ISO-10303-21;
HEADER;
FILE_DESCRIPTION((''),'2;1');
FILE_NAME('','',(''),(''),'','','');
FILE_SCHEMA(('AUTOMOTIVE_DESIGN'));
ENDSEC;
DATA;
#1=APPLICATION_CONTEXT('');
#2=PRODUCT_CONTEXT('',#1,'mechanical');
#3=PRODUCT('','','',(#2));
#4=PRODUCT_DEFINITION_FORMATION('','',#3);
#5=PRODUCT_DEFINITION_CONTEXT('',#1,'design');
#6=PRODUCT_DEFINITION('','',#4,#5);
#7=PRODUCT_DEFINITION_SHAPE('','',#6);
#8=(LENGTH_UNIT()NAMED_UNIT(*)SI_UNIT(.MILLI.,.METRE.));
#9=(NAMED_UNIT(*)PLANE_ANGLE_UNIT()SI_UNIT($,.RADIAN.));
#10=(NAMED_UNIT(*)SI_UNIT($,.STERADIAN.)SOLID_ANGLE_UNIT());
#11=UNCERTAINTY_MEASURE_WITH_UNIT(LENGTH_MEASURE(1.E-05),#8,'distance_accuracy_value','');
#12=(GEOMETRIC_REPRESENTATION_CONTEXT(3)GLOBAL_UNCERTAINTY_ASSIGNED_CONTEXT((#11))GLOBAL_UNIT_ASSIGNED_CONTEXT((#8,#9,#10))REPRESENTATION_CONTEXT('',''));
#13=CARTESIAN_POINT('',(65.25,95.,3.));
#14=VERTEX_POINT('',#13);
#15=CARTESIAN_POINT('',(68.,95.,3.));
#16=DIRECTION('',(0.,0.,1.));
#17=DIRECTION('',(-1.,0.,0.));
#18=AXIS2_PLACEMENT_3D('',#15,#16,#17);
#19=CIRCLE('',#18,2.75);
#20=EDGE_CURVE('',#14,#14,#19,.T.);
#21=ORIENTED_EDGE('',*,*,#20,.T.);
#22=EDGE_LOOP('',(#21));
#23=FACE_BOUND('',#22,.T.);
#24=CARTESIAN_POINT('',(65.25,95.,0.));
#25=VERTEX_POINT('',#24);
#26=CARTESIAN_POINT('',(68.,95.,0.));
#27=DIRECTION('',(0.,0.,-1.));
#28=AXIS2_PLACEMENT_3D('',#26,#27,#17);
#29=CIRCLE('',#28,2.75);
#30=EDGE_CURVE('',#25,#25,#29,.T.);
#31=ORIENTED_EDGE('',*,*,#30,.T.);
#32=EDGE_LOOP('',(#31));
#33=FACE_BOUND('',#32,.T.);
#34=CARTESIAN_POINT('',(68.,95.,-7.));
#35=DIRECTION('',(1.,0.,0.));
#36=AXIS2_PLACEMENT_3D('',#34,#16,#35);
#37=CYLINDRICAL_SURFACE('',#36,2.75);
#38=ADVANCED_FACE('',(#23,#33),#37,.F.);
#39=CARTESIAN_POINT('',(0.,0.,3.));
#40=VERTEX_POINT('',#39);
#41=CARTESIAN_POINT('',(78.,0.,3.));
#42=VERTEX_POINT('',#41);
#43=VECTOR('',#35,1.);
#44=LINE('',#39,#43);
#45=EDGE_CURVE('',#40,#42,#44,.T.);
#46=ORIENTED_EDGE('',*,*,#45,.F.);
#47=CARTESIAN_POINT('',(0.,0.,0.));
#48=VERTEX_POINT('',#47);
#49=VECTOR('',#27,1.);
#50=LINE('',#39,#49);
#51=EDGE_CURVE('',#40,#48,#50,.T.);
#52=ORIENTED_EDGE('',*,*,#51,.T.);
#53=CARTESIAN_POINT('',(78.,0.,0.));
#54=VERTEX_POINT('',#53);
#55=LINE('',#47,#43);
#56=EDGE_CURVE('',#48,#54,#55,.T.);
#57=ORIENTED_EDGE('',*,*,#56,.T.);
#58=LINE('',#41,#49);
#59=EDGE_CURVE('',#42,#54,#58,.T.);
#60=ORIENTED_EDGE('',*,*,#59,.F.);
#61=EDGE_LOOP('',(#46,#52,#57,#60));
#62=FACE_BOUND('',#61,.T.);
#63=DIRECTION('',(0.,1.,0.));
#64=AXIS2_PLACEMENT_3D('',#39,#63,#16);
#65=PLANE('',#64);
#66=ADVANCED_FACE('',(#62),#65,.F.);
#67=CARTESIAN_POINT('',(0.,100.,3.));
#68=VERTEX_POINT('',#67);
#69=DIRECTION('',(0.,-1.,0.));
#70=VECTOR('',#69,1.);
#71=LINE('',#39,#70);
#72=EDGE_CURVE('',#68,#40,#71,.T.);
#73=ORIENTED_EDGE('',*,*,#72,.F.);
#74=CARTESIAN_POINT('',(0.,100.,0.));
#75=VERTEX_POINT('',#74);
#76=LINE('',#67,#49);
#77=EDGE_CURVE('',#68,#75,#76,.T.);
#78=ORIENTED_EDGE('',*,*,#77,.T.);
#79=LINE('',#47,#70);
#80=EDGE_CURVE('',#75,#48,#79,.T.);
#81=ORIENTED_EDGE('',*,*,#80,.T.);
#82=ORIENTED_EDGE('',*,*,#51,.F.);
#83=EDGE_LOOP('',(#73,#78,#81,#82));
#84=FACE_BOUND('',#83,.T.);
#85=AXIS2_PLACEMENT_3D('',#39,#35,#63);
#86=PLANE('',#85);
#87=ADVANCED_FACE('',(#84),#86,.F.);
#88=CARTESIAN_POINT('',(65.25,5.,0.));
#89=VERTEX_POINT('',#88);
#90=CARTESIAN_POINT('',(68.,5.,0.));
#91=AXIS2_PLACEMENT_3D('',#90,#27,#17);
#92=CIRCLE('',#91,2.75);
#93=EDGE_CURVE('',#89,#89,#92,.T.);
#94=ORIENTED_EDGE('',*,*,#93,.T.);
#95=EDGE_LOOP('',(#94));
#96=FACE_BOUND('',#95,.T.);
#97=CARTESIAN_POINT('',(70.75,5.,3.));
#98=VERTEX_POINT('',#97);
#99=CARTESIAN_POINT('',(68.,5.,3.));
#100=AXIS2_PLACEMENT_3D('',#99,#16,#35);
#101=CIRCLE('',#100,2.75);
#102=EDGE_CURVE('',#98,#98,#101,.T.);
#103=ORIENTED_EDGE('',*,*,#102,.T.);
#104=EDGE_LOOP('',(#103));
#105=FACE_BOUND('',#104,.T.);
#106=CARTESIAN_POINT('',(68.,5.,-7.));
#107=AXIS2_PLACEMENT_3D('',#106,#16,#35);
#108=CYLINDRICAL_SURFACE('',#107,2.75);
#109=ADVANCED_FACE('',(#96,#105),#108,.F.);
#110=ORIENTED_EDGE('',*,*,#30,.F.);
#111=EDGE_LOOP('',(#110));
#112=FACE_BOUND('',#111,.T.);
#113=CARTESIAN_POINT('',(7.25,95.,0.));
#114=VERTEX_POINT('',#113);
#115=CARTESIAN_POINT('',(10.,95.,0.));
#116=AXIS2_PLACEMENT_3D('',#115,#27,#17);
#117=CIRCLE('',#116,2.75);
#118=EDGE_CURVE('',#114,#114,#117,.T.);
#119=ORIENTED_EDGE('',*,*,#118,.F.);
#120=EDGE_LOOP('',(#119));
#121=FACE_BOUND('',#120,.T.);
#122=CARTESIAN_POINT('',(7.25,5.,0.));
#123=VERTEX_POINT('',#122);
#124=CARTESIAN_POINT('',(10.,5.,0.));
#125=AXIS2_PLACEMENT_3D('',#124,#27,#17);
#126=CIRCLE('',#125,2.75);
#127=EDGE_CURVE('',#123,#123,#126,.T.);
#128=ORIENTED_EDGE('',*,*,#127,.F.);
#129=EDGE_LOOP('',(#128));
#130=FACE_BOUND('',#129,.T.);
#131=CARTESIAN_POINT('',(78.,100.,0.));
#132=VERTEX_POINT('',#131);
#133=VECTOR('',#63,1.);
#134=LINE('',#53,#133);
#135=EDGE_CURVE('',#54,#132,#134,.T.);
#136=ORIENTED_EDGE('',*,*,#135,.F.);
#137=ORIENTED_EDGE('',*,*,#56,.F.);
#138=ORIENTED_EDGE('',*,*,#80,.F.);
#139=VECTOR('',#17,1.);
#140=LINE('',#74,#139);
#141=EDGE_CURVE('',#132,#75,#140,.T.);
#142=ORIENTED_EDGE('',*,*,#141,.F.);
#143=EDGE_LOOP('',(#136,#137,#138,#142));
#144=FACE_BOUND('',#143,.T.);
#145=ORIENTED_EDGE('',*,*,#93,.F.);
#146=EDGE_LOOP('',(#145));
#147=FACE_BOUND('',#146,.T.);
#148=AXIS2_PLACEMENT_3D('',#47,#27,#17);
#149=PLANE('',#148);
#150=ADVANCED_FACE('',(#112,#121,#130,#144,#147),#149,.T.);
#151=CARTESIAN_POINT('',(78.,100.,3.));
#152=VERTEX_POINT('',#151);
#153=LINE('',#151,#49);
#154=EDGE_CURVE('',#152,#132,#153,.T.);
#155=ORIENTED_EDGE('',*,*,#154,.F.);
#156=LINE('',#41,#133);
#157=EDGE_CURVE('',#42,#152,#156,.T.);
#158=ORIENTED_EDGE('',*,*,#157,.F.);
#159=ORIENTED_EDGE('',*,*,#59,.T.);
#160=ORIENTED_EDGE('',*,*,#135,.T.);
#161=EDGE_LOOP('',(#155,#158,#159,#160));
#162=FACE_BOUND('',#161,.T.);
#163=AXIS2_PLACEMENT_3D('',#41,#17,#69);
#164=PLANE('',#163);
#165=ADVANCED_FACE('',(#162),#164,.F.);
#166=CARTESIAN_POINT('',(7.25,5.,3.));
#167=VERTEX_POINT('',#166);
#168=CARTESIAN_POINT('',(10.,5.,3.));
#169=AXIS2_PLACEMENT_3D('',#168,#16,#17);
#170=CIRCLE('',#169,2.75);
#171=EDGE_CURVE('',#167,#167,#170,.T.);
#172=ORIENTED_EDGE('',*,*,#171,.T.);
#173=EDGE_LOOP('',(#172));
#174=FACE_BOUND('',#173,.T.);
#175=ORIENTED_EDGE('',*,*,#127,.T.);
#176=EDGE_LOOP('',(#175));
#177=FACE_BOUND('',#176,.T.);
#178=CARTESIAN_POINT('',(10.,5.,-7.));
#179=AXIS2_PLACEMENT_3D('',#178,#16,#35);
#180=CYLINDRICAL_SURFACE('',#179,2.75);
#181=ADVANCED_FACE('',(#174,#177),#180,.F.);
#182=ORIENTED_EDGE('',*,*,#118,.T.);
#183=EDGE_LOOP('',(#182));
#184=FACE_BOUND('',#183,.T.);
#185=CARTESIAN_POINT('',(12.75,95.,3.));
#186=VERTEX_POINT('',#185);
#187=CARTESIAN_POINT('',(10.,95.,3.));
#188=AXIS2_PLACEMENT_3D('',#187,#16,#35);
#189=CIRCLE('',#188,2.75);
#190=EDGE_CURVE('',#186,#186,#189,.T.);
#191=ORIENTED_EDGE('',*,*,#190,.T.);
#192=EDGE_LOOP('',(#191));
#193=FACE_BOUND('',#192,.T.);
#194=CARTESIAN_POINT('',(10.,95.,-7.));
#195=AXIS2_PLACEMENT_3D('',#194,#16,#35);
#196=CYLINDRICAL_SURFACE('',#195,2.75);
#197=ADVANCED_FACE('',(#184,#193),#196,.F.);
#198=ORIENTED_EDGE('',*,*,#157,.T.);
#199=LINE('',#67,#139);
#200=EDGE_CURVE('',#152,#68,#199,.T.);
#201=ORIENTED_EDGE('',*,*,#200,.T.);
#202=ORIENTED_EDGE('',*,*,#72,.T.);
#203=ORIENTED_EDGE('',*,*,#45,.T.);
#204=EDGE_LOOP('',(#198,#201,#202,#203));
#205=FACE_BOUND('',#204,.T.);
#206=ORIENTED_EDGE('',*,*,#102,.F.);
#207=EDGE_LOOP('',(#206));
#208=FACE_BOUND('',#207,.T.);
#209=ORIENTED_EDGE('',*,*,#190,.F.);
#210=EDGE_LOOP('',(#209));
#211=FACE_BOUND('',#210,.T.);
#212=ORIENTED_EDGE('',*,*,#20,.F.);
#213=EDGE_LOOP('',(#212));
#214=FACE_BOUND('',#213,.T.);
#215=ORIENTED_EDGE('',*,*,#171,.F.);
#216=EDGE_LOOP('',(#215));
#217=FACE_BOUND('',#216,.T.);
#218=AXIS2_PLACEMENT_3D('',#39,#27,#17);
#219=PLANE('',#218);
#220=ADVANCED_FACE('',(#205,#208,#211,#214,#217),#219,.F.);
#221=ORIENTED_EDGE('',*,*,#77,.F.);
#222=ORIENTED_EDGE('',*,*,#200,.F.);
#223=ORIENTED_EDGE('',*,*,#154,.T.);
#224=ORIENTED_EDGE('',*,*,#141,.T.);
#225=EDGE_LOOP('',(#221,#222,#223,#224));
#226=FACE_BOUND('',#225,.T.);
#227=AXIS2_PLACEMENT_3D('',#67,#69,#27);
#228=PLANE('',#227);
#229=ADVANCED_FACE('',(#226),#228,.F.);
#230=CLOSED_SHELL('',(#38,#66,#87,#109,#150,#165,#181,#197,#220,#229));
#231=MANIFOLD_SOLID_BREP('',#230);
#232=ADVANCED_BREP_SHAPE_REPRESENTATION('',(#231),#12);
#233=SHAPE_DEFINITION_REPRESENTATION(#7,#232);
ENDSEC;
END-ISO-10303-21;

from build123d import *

# Parameters (mm, degrees)
SKETCH_1_W          = 78
SKETCH_1_H          = 100
EXTRUDE_1_DEPTH     = 3
SKETCH_3_R          = 2.75
CUT_EXTRUDE_1_DEPTH = 10


with BuildPart() as part:
    # 草图1 → 凸台-拉伸1 (new body)
    with BuildSketch(Plane.XY):
        with Locations((39, 50)):
            Rectangle(SKETCH_1_W, SKETCH_1_H)
    extrude(amount=EXTRUDE_1_DEPTH)

    # 草图3 → 切除-拉伸1 (cut)
    with BuildSketch(Plane.XY.offset(3)):
        with Locations((10, 95)):
            Circle(SKETCH_3_R)
        with Locations((10, 5)):
            Circle(SKETCH_3_R)
        with Locations((68, 5)):
            Circle(SKETCH_3_R)
        with Locations((68, 95)):
            Circle(SKETCH_3_R)
    extrude(amount=-CUT_EXTRUDE_1_DEPTH, mode=Mode.SUBTRACT)


solid = part.part
